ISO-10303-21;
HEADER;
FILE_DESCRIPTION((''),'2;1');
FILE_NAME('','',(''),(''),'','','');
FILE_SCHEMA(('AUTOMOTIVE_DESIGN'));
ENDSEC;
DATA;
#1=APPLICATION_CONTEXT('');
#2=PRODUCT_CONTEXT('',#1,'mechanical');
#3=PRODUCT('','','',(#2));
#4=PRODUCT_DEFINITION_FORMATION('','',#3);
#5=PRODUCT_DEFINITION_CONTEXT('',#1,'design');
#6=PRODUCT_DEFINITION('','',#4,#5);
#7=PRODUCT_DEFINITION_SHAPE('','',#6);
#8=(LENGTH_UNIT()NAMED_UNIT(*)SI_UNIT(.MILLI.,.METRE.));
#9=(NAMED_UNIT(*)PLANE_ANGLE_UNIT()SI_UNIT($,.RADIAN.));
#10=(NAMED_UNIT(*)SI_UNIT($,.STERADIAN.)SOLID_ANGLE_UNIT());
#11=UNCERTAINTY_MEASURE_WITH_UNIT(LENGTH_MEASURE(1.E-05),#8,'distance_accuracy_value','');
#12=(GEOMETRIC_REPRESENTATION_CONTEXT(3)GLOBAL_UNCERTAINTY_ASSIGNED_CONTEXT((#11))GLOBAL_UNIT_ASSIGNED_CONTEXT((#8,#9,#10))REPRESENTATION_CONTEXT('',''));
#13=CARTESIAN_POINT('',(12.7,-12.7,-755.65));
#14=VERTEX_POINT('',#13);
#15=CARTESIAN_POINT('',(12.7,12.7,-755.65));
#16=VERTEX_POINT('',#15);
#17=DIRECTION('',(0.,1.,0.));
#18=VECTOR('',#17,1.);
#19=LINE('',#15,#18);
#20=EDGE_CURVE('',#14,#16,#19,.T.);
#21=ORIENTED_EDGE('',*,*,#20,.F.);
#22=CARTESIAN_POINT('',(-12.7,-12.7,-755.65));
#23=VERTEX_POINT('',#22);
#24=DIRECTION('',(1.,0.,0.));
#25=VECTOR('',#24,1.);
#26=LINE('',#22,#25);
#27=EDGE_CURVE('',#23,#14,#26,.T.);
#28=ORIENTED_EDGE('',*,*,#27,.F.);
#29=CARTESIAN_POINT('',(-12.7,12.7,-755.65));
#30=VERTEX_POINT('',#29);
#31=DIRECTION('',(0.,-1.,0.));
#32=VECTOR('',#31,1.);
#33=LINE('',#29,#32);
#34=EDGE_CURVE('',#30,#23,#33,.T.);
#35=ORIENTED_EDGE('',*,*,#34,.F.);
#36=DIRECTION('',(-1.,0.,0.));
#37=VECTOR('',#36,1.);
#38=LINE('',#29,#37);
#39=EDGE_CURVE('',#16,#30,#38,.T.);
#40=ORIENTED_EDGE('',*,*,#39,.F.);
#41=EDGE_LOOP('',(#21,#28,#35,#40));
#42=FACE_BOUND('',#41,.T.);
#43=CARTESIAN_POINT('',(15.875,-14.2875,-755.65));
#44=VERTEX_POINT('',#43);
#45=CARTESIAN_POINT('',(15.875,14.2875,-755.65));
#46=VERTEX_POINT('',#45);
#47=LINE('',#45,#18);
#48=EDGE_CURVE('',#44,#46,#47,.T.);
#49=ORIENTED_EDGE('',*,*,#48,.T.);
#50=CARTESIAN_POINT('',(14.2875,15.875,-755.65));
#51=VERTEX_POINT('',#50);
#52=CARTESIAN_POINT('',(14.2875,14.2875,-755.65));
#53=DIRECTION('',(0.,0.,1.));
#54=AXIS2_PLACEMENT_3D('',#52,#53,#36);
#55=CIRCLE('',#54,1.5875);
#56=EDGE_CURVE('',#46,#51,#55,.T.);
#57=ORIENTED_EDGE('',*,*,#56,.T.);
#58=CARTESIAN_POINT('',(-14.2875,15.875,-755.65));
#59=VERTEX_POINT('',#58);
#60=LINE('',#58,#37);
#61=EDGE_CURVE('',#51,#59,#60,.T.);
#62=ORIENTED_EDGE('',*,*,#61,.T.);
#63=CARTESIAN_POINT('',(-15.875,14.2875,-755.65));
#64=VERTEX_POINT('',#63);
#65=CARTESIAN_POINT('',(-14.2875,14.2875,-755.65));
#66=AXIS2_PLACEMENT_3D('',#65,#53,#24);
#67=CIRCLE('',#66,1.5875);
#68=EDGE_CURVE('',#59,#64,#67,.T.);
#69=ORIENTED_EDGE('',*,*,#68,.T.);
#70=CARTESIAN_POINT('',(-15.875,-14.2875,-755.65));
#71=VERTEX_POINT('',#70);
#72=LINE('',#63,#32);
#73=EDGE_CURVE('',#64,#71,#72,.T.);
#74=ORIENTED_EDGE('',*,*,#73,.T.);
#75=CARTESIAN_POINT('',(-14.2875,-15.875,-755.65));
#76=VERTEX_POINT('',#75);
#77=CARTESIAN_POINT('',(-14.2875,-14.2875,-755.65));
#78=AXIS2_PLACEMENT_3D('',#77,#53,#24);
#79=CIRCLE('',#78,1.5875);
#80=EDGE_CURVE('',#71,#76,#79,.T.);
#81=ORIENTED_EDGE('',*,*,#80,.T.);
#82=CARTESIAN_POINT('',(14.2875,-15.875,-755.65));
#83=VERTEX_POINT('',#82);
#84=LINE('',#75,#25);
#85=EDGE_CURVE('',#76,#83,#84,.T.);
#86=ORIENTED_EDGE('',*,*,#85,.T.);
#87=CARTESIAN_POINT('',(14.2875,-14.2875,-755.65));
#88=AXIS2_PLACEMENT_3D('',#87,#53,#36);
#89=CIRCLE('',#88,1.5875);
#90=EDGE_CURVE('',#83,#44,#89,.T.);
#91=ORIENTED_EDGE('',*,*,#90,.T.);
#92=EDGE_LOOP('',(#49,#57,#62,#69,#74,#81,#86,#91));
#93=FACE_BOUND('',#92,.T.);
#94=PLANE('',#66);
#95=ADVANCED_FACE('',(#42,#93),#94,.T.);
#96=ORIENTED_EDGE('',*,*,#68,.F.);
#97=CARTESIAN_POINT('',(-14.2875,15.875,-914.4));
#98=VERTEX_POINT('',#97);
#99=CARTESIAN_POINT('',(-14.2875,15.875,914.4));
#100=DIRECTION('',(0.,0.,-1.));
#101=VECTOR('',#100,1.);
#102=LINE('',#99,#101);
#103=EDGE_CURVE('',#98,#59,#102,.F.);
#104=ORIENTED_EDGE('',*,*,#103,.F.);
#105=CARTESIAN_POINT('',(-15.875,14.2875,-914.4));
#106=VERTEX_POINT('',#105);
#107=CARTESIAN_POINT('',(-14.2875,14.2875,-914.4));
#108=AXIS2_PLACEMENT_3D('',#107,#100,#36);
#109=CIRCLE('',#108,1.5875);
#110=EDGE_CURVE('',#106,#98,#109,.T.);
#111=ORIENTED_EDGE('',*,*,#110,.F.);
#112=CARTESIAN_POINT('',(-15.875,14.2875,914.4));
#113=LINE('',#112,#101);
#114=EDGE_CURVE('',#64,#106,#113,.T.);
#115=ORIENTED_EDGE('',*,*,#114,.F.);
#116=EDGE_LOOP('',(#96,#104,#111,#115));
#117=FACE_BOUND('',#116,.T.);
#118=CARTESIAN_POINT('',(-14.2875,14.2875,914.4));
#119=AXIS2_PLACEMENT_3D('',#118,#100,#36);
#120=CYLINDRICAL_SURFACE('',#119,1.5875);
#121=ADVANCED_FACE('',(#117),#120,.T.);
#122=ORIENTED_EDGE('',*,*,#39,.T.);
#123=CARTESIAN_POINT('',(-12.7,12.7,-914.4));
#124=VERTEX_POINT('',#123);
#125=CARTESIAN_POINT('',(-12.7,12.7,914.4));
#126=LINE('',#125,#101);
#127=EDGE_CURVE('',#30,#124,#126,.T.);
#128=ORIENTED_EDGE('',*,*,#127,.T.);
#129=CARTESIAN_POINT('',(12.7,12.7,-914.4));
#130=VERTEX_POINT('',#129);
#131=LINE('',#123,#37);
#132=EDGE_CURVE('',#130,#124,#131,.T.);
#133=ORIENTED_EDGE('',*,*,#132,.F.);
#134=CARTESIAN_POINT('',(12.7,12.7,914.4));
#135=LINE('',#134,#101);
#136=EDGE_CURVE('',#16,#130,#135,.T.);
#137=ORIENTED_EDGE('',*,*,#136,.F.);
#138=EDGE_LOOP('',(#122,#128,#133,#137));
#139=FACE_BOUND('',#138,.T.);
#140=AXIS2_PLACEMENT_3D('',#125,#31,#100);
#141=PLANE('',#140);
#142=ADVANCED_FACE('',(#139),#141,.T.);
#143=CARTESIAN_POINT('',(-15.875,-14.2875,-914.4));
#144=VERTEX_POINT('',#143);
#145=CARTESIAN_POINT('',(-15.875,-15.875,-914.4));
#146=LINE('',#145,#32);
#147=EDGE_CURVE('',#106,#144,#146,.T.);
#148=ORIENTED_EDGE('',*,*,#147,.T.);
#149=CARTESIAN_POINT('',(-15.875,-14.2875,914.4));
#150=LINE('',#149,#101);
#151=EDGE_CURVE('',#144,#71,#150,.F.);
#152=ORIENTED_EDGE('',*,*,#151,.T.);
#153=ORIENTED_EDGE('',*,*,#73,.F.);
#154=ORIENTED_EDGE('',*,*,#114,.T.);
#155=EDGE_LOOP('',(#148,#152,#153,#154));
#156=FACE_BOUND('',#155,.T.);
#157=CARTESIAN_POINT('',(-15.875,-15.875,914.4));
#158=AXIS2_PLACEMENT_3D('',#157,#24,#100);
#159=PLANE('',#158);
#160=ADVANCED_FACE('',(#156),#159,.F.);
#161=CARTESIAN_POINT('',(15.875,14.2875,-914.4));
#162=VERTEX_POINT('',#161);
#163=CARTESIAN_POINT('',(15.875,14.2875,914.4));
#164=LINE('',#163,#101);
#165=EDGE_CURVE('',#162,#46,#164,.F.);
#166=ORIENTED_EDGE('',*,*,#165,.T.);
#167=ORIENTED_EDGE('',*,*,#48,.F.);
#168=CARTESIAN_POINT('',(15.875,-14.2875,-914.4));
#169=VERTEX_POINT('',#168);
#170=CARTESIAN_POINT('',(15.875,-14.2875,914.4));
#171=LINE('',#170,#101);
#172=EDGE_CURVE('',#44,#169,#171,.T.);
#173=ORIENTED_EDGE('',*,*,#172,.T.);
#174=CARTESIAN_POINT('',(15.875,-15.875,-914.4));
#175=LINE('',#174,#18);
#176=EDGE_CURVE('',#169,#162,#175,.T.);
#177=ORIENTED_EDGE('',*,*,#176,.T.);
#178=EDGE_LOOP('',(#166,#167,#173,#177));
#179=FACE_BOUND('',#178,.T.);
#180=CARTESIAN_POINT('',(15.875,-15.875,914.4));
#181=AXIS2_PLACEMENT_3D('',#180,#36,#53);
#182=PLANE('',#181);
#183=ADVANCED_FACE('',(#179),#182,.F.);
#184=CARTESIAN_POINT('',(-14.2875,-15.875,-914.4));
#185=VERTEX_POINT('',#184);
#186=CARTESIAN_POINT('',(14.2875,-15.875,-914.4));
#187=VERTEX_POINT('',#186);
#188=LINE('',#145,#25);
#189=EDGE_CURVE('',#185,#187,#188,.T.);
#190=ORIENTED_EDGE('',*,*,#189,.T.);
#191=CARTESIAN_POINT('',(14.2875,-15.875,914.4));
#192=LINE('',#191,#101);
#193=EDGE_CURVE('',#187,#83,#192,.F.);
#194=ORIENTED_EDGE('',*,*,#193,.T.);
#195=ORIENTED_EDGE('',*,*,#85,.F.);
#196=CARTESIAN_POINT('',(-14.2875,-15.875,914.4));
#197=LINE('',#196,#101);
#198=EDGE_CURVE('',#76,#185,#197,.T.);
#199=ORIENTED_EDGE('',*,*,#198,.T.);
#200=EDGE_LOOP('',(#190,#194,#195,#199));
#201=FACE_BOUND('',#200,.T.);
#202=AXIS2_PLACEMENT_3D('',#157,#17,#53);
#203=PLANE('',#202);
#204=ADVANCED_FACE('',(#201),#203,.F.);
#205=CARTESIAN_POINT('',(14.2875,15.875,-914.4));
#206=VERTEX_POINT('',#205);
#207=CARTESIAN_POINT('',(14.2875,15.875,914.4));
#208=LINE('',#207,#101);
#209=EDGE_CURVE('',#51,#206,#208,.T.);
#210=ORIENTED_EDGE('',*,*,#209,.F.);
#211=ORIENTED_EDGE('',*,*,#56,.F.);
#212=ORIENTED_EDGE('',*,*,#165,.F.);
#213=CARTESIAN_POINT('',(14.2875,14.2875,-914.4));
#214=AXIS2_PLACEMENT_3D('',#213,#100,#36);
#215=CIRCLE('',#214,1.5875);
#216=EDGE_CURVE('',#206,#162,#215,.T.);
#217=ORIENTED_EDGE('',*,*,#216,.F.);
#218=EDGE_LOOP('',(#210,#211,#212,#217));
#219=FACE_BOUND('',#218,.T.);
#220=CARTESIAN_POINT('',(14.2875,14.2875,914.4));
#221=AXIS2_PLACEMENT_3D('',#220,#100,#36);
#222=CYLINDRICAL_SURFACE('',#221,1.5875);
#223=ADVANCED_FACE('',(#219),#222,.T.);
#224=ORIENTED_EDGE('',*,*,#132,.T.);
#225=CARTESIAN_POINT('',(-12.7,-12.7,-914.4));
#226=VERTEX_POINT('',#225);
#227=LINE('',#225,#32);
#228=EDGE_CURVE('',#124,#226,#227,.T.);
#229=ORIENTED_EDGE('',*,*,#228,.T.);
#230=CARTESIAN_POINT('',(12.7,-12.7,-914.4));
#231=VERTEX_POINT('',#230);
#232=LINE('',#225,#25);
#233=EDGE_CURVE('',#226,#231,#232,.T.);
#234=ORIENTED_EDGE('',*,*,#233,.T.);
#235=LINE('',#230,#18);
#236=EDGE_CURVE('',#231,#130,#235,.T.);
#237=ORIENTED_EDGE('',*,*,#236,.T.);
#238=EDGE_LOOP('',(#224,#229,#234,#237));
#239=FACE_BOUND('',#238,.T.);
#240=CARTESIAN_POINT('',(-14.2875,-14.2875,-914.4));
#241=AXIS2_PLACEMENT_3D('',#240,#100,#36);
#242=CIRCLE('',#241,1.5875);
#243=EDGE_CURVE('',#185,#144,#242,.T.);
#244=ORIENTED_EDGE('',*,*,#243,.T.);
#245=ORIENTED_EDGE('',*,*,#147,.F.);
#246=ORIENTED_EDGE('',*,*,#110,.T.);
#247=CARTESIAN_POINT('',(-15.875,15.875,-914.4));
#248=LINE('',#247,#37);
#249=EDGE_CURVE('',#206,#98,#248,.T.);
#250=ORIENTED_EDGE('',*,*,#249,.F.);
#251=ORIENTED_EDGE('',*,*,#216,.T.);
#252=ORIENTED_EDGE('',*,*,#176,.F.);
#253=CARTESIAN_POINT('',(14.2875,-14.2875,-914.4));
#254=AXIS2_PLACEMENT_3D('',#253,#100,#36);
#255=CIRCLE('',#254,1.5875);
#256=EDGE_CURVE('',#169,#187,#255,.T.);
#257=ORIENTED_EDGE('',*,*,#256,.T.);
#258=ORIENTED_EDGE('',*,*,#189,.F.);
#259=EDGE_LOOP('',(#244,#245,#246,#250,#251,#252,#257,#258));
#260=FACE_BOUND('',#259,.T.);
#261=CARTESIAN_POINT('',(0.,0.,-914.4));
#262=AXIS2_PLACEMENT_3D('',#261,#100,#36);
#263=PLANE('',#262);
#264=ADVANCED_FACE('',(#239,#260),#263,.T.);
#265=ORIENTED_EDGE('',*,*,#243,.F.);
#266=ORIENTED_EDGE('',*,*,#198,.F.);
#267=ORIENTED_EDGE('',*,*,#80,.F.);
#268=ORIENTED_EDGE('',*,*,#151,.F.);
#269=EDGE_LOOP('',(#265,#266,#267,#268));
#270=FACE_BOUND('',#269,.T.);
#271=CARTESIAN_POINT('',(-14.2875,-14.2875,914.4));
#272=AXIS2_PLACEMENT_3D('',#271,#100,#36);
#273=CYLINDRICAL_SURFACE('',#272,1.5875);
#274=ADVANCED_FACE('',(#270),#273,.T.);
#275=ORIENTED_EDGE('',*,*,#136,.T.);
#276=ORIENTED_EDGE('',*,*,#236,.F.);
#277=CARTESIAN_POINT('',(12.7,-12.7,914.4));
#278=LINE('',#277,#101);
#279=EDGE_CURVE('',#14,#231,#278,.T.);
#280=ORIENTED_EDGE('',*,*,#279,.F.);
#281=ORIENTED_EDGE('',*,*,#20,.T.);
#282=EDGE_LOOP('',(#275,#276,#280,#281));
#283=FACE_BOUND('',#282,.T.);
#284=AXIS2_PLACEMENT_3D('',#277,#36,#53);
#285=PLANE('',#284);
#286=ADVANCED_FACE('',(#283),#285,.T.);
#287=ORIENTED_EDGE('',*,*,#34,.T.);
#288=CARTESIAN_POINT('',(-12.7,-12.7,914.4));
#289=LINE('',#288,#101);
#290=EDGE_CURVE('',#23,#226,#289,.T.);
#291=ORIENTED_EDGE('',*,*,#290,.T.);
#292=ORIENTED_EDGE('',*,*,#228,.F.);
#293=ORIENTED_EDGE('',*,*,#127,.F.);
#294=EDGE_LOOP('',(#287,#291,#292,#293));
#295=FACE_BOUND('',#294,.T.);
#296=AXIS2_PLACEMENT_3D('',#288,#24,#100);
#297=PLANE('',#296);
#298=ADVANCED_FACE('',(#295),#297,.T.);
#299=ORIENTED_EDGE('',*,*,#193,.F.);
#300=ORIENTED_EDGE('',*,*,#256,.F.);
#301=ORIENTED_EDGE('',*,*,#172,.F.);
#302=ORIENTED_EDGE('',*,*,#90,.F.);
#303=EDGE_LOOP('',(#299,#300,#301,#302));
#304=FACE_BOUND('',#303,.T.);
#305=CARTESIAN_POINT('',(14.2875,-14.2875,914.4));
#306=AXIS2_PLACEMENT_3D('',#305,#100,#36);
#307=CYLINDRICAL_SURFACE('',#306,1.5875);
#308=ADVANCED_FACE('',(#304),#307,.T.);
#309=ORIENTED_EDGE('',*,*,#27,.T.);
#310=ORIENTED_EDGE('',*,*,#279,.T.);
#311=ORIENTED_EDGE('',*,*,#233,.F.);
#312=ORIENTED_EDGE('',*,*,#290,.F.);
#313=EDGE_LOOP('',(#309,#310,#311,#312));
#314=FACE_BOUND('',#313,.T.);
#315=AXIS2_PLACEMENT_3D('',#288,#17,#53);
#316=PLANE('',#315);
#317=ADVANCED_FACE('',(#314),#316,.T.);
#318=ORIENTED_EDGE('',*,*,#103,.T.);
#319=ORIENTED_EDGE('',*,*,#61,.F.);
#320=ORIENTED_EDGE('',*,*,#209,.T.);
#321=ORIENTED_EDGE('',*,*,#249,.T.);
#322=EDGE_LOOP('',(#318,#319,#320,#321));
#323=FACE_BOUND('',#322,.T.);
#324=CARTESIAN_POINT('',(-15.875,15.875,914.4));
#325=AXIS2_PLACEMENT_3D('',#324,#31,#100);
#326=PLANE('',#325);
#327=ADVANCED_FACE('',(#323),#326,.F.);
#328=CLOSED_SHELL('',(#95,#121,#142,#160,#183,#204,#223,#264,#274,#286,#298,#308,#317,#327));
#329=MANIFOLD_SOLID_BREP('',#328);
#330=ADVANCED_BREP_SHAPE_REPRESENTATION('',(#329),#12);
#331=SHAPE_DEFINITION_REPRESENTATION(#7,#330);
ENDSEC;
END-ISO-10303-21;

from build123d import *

# Parameters (mm, degrees)
BOSS_EXTRUDE1_DEPTH      = 914.4
BOSS_EXTRUDE1_DEPTH_BACK = 914.4
SKETCH1_W                = 31.75
SKETCH1_H                = 31.75
SKETCH1_W_2              = 25.4
SKETCH1_H_2              = 25.4
FILLET1_R                = 1.5875
SKETCH5_W                = 25.4
SKETCH5_H                = 25.4
CUT_EXTRUDE1_DEPTH       = 1670.05


with BuildPart() as part:
    # Sketch1 → Boss-Extrude1 (new, two sides: drawn at the far end of the back side and taken through both)
    with BuildSketch(Plane.XY.offset(-BOSS_EXTRUDE1_DEPTH_BACK)):
        Rectangle(SKETCH1_W, SKETCH1_H)
        Rectangle(SKETCH1_W_2, SKETCH1_H_2, mode=Mode.SUBTRACT)
    extrude(amount=BOSS_EXTRUDE1_DEPTH + BOSS_EXTRUDE1_DEPTH_BACK)

    # Fillet1
    fillet1_edges = [part.edges().sort_by_distance(p)[0] for p in [
        (15.875, -15.875, 0),
        (-15.875, -15.875, 0),
        (-15.875, 15.875, 0),
        (15.875, 15.875, 0),
    ]]
    fillet(fillet1_edges, radius=FILLET1_R)

    # Sketch5 → Cut-Extrude1 (cut)
    with BuildSketch(Plane.XY.offset(914.4)):
        with BuildLine():
            Line((-14.2875, 15.875), (14.2875, 15.875))
            ThreePointArc((14.2875, 15.875), (15.410032015, 15.410032015), (15.875, 14.2875))
            Line((15.875, 14.2875), (15.875, -14.2875))
            ThreePointArc((15.875, -14.2875), (15.410032015, -15.410032015), (14.2875, -15.875))
            Line((14.2875, -15.875), (-14.2875, -15.875))
            ThreePointArc((-14.2875, -15.875), (-15.410032015, -15.410032015), (-15.875, -14.2875))
            Line((-15.875, -14.2875), (-15.875, 14.2875))
            ThreePointArc((-15.875, 14.2875), (-15.410032015, 15.410032015), (-14.2875, 15.875))
        make_face()
        Rectangle(SKETCH5_W, SKETCH5_H, mode=Mode.SUBTRACT)
    extrude(amount=-CUT_EXTRUDE1_DEPTH, mode=Mode.SUBTRACT)


solid = part.part
